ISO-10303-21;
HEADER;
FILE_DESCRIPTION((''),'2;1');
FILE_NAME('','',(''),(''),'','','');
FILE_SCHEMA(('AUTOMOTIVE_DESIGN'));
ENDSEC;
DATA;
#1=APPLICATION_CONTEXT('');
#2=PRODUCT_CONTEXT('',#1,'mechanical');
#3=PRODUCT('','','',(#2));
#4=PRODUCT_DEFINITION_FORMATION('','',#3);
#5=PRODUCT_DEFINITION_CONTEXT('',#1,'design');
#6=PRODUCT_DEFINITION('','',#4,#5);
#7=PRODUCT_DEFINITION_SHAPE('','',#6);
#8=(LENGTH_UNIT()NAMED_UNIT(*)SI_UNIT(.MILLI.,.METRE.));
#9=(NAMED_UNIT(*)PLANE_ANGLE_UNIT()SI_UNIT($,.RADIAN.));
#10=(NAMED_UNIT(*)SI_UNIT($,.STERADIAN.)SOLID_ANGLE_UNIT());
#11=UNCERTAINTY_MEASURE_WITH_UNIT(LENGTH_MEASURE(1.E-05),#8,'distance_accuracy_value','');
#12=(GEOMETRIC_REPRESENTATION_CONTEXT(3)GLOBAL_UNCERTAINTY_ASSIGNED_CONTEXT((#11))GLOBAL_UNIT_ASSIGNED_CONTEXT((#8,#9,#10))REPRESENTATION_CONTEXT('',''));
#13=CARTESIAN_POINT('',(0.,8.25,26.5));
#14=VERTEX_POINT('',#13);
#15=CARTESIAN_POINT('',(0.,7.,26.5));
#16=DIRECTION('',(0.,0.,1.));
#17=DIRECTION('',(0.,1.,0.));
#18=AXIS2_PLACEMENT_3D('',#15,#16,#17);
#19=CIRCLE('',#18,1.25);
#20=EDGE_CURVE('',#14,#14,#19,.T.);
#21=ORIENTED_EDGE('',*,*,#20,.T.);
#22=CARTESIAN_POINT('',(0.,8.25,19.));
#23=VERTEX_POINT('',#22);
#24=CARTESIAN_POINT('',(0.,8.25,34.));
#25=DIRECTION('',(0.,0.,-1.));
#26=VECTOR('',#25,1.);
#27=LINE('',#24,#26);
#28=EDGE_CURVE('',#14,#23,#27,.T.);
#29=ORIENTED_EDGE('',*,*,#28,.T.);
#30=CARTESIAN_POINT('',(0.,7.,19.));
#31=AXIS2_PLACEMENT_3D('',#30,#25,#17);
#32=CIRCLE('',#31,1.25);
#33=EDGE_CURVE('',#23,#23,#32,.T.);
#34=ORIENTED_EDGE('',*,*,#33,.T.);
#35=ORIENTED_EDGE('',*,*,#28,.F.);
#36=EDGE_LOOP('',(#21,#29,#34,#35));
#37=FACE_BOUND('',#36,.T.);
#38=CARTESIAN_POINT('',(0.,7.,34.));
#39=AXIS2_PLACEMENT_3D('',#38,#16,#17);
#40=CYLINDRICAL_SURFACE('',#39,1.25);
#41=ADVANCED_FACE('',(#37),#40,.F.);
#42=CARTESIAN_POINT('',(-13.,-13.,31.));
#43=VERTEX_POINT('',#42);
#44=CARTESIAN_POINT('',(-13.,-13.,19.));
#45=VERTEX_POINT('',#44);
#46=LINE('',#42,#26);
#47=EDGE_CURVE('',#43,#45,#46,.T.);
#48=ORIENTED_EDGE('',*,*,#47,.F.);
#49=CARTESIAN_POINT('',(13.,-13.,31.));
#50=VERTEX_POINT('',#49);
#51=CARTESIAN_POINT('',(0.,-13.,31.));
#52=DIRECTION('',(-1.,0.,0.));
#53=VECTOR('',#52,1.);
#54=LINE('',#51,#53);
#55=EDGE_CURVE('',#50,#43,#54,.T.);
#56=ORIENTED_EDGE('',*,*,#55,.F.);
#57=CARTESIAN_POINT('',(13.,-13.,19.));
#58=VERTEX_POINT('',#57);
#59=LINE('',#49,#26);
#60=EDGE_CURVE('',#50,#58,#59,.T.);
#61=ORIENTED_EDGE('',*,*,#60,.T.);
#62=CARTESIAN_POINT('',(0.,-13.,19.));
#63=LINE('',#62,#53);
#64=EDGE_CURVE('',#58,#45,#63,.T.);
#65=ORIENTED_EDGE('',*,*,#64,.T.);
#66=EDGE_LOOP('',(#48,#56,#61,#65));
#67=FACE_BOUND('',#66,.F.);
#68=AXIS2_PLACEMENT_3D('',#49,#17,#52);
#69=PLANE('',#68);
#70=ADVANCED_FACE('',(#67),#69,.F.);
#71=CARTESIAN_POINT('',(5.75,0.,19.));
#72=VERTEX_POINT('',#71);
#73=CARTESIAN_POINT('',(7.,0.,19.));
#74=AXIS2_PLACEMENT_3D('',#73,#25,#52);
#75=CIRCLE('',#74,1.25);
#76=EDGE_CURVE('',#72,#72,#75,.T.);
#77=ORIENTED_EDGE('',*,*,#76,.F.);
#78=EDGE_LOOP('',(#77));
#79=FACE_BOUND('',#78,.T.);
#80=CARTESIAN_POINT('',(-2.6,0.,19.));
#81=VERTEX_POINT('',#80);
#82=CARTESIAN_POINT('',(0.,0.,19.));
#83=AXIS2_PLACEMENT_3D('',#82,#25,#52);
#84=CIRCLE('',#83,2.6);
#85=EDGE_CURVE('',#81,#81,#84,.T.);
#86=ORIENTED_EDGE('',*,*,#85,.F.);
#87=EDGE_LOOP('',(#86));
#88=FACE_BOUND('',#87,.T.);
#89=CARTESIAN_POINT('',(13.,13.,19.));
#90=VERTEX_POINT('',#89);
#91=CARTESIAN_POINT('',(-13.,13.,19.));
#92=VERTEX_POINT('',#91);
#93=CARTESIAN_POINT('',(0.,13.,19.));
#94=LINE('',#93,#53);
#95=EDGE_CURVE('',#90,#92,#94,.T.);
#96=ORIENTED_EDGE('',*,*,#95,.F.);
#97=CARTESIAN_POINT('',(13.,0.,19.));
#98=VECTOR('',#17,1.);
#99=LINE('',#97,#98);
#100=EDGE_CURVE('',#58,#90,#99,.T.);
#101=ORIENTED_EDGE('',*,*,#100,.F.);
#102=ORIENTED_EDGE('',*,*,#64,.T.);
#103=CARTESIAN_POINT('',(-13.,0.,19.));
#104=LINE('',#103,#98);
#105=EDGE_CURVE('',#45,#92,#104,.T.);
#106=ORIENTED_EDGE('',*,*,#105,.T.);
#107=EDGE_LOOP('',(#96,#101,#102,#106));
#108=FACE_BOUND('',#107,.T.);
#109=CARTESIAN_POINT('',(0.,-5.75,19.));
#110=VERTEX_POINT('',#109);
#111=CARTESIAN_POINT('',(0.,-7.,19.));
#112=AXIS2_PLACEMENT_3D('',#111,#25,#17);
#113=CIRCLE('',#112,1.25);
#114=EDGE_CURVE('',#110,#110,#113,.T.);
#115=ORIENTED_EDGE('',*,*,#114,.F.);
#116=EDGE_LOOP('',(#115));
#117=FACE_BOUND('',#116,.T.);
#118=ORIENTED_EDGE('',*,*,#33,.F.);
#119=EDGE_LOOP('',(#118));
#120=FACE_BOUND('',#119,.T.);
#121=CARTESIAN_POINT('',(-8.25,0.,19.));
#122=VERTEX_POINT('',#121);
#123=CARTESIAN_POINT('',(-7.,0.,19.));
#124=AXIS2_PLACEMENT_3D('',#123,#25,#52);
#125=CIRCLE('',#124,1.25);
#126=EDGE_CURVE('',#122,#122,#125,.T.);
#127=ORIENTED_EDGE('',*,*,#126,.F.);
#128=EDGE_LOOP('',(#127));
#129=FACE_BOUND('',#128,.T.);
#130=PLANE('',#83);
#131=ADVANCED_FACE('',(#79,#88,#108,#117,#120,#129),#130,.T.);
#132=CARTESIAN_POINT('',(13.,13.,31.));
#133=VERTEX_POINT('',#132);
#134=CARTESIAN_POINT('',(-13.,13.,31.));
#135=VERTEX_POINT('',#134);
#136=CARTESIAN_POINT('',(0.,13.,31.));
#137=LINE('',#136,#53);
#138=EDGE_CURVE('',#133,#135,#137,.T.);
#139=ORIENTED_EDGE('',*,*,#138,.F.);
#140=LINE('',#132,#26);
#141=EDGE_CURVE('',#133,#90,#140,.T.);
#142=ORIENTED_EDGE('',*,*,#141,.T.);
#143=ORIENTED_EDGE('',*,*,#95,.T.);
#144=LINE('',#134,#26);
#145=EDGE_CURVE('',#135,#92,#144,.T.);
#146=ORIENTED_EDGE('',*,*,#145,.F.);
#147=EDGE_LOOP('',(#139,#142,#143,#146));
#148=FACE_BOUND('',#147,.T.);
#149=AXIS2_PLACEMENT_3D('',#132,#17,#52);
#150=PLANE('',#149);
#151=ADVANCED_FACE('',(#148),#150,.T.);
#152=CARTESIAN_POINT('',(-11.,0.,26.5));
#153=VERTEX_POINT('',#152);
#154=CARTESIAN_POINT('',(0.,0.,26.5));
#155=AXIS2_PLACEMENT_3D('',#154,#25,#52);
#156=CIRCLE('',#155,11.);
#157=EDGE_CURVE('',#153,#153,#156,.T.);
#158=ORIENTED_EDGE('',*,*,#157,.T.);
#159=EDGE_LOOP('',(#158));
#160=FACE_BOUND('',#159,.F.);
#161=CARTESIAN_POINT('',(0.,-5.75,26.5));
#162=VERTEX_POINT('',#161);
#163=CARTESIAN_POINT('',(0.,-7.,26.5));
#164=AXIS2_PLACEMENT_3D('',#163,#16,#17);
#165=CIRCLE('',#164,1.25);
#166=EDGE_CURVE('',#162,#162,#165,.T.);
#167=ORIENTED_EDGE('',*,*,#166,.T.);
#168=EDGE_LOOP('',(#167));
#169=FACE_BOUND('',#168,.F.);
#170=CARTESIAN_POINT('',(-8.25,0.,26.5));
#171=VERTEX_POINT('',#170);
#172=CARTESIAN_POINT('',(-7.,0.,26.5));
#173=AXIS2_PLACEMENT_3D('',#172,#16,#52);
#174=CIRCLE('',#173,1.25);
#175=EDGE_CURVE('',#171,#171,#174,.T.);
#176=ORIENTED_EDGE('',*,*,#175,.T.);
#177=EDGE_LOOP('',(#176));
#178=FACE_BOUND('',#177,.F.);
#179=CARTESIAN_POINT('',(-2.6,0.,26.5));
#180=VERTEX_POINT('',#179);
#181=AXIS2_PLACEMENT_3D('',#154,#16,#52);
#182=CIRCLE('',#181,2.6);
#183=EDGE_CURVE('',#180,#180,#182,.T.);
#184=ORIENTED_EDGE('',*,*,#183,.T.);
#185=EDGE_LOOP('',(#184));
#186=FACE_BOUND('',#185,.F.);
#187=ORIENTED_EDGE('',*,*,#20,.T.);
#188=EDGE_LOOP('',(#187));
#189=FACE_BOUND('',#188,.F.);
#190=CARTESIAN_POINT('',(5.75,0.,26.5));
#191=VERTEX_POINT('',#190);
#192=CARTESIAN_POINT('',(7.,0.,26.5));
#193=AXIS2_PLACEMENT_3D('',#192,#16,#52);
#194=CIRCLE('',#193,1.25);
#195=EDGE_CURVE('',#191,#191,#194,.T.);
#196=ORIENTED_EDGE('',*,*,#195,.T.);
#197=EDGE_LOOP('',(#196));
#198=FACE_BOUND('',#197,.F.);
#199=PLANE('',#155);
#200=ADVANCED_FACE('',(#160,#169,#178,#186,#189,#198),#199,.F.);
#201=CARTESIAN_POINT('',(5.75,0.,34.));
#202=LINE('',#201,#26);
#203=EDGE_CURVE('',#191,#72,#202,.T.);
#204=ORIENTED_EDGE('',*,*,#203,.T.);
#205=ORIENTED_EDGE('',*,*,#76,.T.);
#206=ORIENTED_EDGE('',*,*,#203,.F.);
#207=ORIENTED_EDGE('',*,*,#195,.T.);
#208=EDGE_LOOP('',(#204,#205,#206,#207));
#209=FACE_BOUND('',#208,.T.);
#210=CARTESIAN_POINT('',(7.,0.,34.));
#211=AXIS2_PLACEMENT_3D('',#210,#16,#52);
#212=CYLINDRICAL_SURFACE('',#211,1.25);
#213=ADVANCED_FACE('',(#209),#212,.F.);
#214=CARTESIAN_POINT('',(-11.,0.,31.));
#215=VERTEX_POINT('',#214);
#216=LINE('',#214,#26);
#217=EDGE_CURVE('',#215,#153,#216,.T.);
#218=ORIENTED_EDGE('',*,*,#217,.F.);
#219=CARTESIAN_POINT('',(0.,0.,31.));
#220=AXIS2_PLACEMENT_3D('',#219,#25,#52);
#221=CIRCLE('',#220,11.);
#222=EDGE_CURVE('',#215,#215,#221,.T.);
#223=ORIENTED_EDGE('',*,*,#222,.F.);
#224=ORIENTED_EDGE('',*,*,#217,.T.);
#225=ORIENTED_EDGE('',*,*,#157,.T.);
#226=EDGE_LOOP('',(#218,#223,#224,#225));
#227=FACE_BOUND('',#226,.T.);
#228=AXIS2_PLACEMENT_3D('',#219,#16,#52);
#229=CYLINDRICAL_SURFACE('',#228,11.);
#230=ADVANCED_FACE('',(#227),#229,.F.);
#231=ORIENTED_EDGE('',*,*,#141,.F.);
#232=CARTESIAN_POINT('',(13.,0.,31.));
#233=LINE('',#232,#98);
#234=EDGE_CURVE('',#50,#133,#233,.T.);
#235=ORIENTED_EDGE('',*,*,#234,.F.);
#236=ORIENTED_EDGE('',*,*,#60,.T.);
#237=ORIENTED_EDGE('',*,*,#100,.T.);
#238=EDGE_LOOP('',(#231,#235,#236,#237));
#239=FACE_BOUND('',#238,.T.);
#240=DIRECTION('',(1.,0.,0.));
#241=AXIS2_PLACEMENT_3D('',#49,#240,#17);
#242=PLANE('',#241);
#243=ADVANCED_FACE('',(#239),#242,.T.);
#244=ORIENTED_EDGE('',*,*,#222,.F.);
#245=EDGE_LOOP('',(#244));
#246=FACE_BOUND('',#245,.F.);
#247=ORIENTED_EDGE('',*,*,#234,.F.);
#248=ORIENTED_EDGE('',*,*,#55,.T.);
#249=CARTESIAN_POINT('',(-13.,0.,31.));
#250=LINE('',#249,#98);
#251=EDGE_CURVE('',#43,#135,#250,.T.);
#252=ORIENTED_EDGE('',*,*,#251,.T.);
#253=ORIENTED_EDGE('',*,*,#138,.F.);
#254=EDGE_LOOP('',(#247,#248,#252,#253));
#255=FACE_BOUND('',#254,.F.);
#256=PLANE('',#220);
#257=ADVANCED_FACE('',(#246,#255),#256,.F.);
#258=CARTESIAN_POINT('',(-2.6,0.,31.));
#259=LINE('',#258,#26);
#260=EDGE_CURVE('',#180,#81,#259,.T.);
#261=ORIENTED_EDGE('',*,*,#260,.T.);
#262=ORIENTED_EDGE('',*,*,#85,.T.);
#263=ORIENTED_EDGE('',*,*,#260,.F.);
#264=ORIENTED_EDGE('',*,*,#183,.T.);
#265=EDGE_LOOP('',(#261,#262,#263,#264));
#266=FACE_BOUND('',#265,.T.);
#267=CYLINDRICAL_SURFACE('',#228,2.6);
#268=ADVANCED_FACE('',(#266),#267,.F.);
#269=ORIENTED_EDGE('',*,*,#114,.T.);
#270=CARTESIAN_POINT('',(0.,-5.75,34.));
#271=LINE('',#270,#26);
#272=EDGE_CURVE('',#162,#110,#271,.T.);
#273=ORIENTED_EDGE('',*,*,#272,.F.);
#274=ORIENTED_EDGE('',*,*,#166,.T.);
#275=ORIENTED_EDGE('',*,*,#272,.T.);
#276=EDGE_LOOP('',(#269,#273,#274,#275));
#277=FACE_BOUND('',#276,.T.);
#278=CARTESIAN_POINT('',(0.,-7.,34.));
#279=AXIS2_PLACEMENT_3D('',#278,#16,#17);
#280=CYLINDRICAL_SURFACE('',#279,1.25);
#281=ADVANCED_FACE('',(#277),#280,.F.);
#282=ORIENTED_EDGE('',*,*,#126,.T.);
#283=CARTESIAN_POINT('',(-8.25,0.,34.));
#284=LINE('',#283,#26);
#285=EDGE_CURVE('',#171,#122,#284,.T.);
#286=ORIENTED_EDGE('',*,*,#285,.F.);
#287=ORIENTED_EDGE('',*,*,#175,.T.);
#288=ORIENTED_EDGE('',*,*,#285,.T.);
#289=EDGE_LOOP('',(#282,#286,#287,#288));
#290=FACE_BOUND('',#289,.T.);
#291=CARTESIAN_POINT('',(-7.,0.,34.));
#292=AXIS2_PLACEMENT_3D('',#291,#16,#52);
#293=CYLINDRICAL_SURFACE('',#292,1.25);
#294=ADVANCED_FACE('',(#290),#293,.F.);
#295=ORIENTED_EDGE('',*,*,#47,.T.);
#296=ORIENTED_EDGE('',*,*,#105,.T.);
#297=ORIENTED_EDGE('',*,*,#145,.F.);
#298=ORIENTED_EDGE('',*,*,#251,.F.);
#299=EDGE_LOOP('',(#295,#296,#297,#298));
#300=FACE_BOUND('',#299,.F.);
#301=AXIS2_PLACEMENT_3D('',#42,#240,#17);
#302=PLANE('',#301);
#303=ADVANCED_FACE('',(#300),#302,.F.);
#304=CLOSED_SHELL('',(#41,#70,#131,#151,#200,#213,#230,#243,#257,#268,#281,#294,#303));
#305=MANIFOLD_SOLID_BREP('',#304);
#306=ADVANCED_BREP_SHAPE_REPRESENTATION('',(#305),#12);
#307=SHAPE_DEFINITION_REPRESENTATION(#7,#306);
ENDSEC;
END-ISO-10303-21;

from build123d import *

# Parameters (mm, degrees)
CYLINDER077_R             = 1.25
CYLINDER077_DEPTH         = 15
CYLINDER078_R             = 1.25
CYLINDER078_DEPTH         = 15
CYLINDER081_R             = 1.25
CYLINDER081_DEPTH         = 15
CYLINDER082_R             = 1.25
CYLINDER082_DEPTH         = 15
FUSION041_PLACEMENT_ANGLE = 90
CYLINDER079_R             = 11
CYLINDER079_DEPTH         = 4.5
CYLINDER080_R             = 2.6
CYLINDER080_DEPTH         = 12
BOX006_W                  = 26
BOX006_H                  = 26
BOX006_DEPTH              = 12
CUT014015_PLACEMENT_ANGLE = 180


with BuildPart() as cylinder077:
    # Cylinder077 → Cylinder077 (new body)
    with BuildSketch(Plane(origin=(7, 0, 0), x_dir=(1, 0, 0), z_dir=(0, 0, 1))):
        Circle(CYLINDER077_R)
    extrude(amount=CYLINDER077_DEPTH)


with BuildPart() as fusion042:
    # Cylinder078 → Cylinder078 (new body)
    with BuildSketch(Plane(origin=(-7, 0, 0), x_dir=(1, 0, 0), z_dir=(0, 0, 1))):
        Circle(CYLINDER078_R)
    extrude(amount=CYLINDER078_DEPTH)

    # Fusion042: union Cylinder077
    add(cylinder077.part)


with BuildPart() as cylinder081:
    # Cylinder081 → Cylinder081 (new body)
    with BuildSketch(Plane(origin=(7, 0, 0), x_dir=(1, 0, 0), z_dir=(0, 0, 1))):
        Circle(CYLINDER081_R)
    extrude(amount=CYLINDER081_DEPTH)


with BuildPart() as fusion043:
    # Cylinder082 → Cylinder082 (new body)
    with BuildSketch(Plane(origin=(-7, 0, 0), x_dir=(1, 0, 0), z_dir=(0, 0, 1))):
        Circle(CYLINDER082_R)
    extrude(amount=CYLINDER082_DEPTH)

    # Fusion041: union Cylinder081
    add(cylinder081.part)


with BuildPart() as fusion043_1:
    # Fusion041 placement: moved
    add(fusion043.part.rotate(Axis((0, 0, 0), (0, 0, 1)), FUSION041_PLACEMENT_ANGLE))

    # Fusion043: union Fusion042
    add(fusion042.part)


with BuildPart() as fusion043_2:
    # Fusion043 placement: moved
    add(fusion043_1.part.moved(Location((0, 0, -3))))


with BuildPart() as cylinder079:
    # Cylinder079 → Cylinder079 (new body)
    with BuildSketch(Plane.XY):
        Circle(CYLINDER079_R)
    extrude(amount=CYLINDER079_DEPTH)


with BuildPart() as fusion040:
    # Cylinder080 → Cylinder080 (new body)
    with BuildSketch(Plane.XY):
        Circle(CYLINDER080_R)
    extrude(amount=CYLINDER080_DEPTH)

    # Fusion040: union Cylinder079
    add(cylinder079.part)


with BuildPart() as diff_lock_holes:
    # Box006 → Box006 (new body)
    with BuildSketch(Plane(origin=(-13, -13, 0), x_dir=(1, 0, 0), z_dir=(0, 0, 1))):
        with Locations((13, 13)):
            Rectangle(BOX006_W, BOX006_H)
    extrude(amount=BOX006_DEPTH)

    # Cut014014: cut Fusion040
    add(fusion040.part, mode=Mode.SUBTRACT)

    # Cut014015: cut Fusion043
    add(fusion043_2.part, mode=Mode.SUBTRACT)


with BuildPart() as diff_lock_holes_1:
    # Cut014015 placement: moved
    add(diff_lock_holes.part.moved(Location((0, 0, 31))).rotate(Axis((0, 0, 31), (0, 1, 0)), CUT014015_PLACEMENT_ANGLE))


solid = diff_lock_holes_1.part
